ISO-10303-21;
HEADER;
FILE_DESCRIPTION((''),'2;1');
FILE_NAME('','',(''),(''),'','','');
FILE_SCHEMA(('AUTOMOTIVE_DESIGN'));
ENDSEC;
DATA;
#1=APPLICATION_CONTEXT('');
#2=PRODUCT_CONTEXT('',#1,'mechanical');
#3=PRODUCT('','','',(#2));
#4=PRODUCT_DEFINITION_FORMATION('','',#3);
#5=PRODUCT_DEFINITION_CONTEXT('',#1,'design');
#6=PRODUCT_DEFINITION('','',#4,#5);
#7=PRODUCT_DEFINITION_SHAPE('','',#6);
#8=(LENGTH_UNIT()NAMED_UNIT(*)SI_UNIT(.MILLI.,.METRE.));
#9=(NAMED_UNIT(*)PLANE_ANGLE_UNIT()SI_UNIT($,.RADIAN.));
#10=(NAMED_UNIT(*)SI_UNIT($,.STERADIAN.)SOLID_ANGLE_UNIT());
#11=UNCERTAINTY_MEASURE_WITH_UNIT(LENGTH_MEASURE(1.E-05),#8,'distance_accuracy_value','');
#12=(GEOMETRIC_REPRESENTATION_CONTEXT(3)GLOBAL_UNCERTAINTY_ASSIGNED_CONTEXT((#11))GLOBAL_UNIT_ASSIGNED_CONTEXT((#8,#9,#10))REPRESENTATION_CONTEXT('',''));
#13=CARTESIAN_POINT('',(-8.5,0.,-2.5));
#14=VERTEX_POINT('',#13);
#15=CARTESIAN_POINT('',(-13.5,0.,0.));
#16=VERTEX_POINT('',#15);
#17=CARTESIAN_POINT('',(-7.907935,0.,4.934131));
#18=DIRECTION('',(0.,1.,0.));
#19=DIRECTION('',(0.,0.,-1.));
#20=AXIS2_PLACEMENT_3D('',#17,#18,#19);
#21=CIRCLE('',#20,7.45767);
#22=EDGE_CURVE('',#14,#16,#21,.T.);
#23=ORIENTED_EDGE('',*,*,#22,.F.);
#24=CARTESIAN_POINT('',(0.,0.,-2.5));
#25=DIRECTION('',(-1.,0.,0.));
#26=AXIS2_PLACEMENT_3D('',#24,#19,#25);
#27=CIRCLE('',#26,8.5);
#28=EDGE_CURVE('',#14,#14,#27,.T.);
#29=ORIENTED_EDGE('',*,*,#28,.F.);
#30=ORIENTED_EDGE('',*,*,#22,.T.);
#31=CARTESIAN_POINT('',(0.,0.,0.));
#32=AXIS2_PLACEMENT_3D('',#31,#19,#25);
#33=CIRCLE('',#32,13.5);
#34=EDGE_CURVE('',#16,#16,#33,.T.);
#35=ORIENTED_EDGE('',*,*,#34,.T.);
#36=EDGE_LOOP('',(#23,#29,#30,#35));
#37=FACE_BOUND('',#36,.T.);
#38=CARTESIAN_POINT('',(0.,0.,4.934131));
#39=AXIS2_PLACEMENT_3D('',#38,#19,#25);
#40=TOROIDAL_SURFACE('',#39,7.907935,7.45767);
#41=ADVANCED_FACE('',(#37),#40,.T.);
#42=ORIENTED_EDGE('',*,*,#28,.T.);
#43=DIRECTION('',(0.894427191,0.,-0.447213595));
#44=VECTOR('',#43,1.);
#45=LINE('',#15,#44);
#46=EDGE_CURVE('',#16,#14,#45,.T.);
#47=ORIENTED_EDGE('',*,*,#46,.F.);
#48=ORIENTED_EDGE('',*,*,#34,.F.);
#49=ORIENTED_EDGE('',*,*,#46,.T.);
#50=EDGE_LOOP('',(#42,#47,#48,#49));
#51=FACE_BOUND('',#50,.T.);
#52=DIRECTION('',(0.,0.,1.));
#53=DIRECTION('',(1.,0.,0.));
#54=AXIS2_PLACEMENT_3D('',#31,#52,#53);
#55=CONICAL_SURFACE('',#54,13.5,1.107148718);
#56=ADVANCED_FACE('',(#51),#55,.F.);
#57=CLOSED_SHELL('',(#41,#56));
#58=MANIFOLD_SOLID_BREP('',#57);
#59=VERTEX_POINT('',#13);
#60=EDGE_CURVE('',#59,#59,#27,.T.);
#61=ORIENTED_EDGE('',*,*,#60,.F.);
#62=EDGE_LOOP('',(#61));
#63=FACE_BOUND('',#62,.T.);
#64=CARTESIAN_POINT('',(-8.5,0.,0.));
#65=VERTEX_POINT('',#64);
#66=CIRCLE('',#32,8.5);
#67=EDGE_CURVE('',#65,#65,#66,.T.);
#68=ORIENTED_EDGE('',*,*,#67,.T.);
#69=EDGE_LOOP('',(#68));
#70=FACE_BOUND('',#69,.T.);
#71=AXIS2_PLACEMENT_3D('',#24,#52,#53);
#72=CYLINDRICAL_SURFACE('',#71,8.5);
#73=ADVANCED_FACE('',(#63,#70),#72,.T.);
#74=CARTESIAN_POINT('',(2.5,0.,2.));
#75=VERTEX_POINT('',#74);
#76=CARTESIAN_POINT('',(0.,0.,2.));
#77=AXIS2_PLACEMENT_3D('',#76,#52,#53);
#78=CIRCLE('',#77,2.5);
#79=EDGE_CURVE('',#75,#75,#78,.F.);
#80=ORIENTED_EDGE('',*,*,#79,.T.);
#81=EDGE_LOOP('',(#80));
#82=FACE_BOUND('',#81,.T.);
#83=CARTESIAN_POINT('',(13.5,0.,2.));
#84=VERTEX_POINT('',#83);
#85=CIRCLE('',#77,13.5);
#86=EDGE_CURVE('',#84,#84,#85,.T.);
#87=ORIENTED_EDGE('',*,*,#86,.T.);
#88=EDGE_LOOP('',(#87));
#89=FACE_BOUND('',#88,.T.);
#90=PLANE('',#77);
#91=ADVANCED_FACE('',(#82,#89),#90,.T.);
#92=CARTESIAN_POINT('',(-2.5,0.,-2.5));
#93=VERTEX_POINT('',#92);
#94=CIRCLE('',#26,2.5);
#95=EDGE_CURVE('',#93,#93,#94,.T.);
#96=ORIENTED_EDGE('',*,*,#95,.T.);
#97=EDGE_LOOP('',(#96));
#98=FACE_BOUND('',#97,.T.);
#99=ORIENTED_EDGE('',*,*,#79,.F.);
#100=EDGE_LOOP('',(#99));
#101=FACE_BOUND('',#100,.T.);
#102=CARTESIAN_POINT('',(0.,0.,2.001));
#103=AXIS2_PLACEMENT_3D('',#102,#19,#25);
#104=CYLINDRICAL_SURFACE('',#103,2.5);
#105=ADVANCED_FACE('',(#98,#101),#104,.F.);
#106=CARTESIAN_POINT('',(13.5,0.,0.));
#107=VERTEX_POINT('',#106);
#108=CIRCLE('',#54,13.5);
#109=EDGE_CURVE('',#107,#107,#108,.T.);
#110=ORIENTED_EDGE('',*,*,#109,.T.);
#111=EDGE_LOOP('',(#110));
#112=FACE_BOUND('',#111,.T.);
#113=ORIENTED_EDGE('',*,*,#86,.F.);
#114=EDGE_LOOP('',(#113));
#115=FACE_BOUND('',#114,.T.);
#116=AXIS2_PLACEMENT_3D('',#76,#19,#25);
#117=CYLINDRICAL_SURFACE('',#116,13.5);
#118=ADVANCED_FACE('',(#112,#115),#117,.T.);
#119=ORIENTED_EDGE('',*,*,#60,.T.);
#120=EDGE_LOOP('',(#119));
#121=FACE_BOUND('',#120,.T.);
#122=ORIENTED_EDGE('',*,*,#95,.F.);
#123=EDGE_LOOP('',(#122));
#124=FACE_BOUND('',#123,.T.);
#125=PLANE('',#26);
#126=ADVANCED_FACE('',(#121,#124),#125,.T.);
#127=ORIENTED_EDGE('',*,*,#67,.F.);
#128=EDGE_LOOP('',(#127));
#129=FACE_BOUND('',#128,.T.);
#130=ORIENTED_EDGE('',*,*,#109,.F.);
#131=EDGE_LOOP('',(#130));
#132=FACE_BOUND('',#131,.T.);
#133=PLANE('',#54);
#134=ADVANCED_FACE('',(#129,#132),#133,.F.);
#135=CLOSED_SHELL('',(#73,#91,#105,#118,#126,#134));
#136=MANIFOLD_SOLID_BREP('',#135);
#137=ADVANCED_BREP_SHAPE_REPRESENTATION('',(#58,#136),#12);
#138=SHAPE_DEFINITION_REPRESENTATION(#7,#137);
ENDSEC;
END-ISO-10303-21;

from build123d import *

# Parameters (mm, degrees)
SKETCH_1_R          = 13.5
EXTRUDE_1_DEPTH     = 2
SKETCH_3_R          = 8.5
EXTRUDE_2_DEPTH     = 2.5
SKETCH_7_R          = 2.5
CUT_EXTRUDE_1_DEPTH = 4.5


with BuildPart() as part:
    # 草图1 → 凸台-拉伸1 (new body)
    with BuildSketch(Plane.XY):
        Circle(SKETCH_1_R)
    extrude(amount=EXTRUDE_1_DEPTH)

    # 草图3 → 凸台-拉伸2 (add)
    with BuildSketch(Plane(origin=(0, 0, 0), x_dir=(-1, 0, 0), z_dir=(0, 0, -1))):
        Circle(SKETCH_3_R)
    extrude(amount=EXTRUDE_2_DEPTH)

    # 草图7 → 切除-拉伸1 (cut)
    with BuildSketch(Plane(origin=(0, 0, -2.5), x_dir=(-1, 0, 0), z_dir=(0, 0, -1))):
        Circle(SKETCH_7_R)
    extrude(amount=-CUT_EXTRUDE_1_DEPTH, mode=Mode.SUBTRACT)


with BuildPart() as body_2:
    # 扫描1: sweep along a curve in space
    with BuildLine() as sweep_1_path:
        ThreePointArc((-8.5, 0, -2.5), (-6.01040764, 6.01040764, -2.5), (0, 8.5, -2.5))
        ThreePointArc((0, 8.5, -2.5), (6.01040764, 6.01040764, -2.5), (8.5, 0, -2.5))
        ThreePointArc((8.5, 0, -2.5), (6.01040764, -6.01040764, -2.5), (0, -8.5, -2.5))
        ThreePointArc((0, -8.5, -2.5), (-6.01040764, -6.01040764, -2.5), (-8.5, 0, -2.5))
    # 草图4 → 扫描1 (sweep)
    with BuildSketch(Plane(origin=(0, 0, 0), x_dir=(1, 0, 0), z_dir=(0, 1, 0))):
        with BuildLine():
            Line((-13.5, 0), (-8.5, 2.5))
            ThreePointArc((-8.5, 2.5), (-11.243106023, 1.736212046), (-13.5, 0))
        make_face()
    sweep(path=sweep_1_path.line)


solid = Compound([part.part, body_2.part])
